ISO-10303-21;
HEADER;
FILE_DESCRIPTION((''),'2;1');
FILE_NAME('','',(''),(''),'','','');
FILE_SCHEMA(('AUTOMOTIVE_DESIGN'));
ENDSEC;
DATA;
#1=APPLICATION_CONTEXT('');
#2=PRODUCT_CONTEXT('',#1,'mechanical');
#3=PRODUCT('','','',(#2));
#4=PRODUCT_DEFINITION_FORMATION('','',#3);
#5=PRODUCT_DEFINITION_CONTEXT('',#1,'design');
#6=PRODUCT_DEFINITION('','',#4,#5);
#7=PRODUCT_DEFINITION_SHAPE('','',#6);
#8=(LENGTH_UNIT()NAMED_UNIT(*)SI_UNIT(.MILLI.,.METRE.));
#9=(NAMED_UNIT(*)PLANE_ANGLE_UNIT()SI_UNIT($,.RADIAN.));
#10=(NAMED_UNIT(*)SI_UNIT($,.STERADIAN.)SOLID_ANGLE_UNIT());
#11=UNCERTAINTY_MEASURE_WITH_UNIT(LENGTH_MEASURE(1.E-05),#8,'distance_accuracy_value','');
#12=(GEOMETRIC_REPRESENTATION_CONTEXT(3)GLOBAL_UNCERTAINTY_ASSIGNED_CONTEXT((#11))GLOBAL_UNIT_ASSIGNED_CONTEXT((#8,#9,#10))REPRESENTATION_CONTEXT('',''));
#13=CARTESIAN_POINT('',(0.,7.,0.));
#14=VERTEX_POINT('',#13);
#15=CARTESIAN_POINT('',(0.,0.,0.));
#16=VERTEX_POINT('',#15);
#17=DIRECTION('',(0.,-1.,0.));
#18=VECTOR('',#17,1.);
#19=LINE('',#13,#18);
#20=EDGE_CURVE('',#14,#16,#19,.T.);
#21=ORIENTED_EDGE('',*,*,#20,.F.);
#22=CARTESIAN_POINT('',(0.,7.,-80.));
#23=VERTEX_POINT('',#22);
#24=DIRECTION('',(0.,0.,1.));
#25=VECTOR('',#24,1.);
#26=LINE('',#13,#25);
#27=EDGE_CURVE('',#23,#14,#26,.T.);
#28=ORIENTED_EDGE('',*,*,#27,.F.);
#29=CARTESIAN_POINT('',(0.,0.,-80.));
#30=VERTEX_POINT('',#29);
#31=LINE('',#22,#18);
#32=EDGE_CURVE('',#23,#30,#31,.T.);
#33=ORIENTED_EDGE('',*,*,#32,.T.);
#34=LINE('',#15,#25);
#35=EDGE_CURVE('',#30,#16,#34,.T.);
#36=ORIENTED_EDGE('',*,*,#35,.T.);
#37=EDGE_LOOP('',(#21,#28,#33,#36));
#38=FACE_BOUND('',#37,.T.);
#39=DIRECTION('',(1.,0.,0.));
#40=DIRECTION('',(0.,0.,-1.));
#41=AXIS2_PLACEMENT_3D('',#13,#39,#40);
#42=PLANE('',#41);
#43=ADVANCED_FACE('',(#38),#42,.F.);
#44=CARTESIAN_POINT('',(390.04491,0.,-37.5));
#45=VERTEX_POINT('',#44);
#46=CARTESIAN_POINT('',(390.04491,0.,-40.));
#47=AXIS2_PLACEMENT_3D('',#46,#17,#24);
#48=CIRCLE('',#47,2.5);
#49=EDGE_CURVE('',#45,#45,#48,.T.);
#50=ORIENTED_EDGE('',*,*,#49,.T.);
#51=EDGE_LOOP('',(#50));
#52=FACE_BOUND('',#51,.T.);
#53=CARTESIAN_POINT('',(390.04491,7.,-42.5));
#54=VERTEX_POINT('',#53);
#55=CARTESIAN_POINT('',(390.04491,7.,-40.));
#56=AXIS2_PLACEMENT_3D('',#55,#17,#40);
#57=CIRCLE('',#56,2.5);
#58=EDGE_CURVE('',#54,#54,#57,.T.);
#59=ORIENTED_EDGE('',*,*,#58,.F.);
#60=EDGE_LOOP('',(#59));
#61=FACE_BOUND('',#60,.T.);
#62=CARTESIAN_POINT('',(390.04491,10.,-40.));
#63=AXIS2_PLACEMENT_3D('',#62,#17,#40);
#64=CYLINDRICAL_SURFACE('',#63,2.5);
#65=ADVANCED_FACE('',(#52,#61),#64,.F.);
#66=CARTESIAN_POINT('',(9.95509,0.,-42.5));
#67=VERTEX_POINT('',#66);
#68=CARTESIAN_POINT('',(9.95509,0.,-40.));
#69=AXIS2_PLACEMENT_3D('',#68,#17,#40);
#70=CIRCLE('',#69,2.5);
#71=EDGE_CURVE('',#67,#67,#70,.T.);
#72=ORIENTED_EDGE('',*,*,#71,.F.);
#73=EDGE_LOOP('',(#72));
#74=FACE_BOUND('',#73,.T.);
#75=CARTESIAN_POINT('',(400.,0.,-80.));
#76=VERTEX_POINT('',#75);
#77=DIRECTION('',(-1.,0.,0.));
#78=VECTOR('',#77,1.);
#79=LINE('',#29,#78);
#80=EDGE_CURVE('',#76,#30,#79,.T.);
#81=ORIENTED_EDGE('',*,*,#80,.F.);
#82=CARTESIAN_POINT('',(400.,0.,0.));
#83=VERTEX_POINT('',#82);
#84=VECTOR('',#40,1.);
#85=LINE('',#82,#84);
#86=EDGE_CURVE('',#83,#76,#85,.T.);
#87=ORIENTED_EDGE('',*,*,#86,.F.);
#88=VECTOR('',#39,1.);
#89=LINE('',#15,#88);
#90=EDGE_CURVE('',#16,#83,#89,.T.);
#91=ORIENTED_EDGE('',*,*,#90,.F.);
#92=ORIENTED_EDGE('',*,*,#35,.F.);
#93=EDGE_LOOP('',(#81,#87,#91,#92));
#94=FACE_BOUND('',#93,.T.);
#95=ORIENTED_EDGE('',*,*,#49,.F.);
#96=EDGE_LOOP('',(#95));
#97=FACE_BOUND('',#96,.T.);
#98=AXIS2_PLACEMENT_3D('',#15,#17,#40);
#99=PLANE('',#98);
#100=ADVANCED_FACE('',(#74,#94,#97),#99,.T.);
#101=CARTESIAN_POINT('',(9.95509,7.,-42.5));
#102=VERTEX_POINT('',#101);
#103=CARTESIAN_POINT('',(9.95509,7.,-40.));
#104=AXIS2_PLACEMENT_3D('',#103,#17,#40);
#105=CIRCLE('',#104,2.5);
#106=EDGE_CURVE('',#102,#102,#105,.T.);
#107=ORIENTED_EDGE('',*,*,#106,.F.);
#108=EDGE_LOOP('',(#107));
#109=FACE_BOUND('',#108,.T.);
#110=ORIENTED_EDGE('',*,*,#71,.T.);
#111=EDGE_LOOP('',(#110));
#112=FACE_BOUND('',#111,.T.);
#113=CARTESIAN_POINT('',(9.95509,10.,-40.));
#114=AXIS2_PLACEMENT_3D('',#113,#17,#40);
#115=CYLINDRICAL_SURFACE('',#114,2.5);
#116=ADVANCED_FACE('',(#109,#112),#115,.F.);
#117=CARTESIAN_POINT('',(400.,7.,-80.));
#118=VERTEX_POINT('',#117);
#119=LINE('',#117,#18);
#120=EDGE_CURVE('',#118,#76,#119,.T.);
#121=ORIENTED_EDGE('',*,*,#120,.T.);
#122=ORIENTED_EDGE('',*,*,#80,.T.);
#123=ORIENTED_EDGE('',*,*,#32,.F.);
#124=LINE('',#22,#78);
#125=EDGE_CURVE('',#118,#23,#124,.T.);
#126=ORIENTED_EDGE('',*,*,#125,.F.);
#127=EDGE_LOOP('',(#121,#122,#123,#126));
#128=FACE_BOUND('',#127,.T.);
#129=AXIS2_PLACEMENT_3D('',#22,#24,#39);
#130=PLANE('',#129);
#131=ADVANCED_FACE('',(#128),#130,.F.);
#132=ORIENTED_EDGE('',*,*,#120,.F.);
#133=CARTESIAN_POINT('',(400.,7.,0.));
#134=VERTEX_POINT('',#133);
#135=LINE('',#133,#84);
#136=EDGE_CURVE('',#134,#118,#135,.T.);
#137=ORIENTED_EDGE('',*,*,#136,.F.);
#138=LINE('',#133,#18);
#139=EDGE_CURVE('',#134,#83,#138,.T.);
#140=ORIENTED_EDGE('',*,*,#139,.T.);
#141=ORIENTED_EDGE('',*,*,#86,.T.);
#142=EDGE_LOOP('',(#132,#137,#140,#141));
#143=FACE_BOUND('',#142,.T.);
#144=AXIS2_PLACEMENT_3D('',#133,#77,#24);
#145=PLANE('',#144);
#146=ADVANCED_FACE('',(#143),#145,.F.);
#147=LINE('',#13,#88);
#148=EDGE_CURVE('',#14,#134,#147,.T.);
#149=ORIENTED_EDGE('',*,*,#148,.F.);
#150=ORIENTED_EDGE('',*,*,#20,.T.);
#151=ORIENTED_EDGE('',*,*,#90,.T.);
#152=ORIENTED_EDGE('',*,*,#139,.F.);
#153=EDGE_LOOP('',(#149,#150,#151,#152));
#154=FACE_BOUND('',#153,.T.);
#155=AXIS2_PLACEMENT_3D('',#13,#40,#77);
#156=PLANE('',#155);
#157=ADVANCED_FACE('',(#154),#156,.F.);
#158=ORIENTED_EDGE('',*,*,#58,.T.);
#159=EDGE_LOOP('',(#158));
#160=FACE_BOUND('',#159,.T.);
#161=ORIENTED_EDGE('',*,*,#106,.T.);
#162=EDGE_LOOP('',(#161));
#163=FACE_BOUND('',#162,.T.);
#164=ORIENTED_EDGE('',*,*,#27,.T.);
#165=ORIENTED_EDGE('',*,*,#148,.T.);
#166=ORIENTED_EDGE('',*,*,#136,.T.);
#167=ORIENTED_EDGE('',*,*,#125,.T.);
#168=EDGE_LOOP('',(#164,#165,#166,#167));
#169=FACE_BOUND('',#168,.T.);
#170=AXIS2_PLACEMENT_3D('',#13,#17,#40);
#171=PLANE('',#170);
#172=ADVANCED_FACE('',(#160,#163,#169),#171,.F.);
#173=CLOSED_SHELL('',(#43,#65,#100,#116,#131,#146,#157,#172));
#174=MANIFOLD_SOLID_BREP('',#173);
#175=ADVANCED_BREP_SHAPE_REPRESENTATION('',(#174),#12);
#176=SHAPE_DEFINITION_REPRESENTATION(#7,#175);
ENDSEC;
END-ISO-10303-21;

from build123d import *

# Parameters (mm, degrees)
SCHIZZO1_W                   = 400
SCHIZZO1_H                   = 80
ESTRUSIONE_ESTRUSIONE1_DEPTH = 7
SCHIZZO2_R                   = 2.5
TAGLIO_ESTRUSIONE1_DEPTH     = 10


with BuildPart() as part:
    # Schizzo1 → Estrusione-Estrusione1 (new body)
    with BuildSketch(Plane(origin=(0, 0, 0), x_dir=(1, 0, 0), z_dir=(0, 1, 0))):
        with Locations((200, 40)):
            Rectangle(SCHIZZO1_W, SCHIZZO1_H)
    extrude(amount=ESTRUSIONE_ESTRUSIONE1_DEPTH)

    # Schizzo2 → Taglio-Estrusione1 (cut)
    with BuildSketch(Plane(origin=(109.673515981, 0, 372.376145612), x_dir=(0, 0, 1), z_dir=(0, -1, 0))):
        with Locations((-412.376145611, 99.718426121)):
            Circle(SCHIZZO2_R)
        with Locations((-412.376145611, -280.371394158)):
            Circle(SCHIZZO2_R)
    extrude(amount=-TAGLIO_ESTRUSIONE1_DEPTH, mode=Mode.SUBTRACT)


solid = part.part
